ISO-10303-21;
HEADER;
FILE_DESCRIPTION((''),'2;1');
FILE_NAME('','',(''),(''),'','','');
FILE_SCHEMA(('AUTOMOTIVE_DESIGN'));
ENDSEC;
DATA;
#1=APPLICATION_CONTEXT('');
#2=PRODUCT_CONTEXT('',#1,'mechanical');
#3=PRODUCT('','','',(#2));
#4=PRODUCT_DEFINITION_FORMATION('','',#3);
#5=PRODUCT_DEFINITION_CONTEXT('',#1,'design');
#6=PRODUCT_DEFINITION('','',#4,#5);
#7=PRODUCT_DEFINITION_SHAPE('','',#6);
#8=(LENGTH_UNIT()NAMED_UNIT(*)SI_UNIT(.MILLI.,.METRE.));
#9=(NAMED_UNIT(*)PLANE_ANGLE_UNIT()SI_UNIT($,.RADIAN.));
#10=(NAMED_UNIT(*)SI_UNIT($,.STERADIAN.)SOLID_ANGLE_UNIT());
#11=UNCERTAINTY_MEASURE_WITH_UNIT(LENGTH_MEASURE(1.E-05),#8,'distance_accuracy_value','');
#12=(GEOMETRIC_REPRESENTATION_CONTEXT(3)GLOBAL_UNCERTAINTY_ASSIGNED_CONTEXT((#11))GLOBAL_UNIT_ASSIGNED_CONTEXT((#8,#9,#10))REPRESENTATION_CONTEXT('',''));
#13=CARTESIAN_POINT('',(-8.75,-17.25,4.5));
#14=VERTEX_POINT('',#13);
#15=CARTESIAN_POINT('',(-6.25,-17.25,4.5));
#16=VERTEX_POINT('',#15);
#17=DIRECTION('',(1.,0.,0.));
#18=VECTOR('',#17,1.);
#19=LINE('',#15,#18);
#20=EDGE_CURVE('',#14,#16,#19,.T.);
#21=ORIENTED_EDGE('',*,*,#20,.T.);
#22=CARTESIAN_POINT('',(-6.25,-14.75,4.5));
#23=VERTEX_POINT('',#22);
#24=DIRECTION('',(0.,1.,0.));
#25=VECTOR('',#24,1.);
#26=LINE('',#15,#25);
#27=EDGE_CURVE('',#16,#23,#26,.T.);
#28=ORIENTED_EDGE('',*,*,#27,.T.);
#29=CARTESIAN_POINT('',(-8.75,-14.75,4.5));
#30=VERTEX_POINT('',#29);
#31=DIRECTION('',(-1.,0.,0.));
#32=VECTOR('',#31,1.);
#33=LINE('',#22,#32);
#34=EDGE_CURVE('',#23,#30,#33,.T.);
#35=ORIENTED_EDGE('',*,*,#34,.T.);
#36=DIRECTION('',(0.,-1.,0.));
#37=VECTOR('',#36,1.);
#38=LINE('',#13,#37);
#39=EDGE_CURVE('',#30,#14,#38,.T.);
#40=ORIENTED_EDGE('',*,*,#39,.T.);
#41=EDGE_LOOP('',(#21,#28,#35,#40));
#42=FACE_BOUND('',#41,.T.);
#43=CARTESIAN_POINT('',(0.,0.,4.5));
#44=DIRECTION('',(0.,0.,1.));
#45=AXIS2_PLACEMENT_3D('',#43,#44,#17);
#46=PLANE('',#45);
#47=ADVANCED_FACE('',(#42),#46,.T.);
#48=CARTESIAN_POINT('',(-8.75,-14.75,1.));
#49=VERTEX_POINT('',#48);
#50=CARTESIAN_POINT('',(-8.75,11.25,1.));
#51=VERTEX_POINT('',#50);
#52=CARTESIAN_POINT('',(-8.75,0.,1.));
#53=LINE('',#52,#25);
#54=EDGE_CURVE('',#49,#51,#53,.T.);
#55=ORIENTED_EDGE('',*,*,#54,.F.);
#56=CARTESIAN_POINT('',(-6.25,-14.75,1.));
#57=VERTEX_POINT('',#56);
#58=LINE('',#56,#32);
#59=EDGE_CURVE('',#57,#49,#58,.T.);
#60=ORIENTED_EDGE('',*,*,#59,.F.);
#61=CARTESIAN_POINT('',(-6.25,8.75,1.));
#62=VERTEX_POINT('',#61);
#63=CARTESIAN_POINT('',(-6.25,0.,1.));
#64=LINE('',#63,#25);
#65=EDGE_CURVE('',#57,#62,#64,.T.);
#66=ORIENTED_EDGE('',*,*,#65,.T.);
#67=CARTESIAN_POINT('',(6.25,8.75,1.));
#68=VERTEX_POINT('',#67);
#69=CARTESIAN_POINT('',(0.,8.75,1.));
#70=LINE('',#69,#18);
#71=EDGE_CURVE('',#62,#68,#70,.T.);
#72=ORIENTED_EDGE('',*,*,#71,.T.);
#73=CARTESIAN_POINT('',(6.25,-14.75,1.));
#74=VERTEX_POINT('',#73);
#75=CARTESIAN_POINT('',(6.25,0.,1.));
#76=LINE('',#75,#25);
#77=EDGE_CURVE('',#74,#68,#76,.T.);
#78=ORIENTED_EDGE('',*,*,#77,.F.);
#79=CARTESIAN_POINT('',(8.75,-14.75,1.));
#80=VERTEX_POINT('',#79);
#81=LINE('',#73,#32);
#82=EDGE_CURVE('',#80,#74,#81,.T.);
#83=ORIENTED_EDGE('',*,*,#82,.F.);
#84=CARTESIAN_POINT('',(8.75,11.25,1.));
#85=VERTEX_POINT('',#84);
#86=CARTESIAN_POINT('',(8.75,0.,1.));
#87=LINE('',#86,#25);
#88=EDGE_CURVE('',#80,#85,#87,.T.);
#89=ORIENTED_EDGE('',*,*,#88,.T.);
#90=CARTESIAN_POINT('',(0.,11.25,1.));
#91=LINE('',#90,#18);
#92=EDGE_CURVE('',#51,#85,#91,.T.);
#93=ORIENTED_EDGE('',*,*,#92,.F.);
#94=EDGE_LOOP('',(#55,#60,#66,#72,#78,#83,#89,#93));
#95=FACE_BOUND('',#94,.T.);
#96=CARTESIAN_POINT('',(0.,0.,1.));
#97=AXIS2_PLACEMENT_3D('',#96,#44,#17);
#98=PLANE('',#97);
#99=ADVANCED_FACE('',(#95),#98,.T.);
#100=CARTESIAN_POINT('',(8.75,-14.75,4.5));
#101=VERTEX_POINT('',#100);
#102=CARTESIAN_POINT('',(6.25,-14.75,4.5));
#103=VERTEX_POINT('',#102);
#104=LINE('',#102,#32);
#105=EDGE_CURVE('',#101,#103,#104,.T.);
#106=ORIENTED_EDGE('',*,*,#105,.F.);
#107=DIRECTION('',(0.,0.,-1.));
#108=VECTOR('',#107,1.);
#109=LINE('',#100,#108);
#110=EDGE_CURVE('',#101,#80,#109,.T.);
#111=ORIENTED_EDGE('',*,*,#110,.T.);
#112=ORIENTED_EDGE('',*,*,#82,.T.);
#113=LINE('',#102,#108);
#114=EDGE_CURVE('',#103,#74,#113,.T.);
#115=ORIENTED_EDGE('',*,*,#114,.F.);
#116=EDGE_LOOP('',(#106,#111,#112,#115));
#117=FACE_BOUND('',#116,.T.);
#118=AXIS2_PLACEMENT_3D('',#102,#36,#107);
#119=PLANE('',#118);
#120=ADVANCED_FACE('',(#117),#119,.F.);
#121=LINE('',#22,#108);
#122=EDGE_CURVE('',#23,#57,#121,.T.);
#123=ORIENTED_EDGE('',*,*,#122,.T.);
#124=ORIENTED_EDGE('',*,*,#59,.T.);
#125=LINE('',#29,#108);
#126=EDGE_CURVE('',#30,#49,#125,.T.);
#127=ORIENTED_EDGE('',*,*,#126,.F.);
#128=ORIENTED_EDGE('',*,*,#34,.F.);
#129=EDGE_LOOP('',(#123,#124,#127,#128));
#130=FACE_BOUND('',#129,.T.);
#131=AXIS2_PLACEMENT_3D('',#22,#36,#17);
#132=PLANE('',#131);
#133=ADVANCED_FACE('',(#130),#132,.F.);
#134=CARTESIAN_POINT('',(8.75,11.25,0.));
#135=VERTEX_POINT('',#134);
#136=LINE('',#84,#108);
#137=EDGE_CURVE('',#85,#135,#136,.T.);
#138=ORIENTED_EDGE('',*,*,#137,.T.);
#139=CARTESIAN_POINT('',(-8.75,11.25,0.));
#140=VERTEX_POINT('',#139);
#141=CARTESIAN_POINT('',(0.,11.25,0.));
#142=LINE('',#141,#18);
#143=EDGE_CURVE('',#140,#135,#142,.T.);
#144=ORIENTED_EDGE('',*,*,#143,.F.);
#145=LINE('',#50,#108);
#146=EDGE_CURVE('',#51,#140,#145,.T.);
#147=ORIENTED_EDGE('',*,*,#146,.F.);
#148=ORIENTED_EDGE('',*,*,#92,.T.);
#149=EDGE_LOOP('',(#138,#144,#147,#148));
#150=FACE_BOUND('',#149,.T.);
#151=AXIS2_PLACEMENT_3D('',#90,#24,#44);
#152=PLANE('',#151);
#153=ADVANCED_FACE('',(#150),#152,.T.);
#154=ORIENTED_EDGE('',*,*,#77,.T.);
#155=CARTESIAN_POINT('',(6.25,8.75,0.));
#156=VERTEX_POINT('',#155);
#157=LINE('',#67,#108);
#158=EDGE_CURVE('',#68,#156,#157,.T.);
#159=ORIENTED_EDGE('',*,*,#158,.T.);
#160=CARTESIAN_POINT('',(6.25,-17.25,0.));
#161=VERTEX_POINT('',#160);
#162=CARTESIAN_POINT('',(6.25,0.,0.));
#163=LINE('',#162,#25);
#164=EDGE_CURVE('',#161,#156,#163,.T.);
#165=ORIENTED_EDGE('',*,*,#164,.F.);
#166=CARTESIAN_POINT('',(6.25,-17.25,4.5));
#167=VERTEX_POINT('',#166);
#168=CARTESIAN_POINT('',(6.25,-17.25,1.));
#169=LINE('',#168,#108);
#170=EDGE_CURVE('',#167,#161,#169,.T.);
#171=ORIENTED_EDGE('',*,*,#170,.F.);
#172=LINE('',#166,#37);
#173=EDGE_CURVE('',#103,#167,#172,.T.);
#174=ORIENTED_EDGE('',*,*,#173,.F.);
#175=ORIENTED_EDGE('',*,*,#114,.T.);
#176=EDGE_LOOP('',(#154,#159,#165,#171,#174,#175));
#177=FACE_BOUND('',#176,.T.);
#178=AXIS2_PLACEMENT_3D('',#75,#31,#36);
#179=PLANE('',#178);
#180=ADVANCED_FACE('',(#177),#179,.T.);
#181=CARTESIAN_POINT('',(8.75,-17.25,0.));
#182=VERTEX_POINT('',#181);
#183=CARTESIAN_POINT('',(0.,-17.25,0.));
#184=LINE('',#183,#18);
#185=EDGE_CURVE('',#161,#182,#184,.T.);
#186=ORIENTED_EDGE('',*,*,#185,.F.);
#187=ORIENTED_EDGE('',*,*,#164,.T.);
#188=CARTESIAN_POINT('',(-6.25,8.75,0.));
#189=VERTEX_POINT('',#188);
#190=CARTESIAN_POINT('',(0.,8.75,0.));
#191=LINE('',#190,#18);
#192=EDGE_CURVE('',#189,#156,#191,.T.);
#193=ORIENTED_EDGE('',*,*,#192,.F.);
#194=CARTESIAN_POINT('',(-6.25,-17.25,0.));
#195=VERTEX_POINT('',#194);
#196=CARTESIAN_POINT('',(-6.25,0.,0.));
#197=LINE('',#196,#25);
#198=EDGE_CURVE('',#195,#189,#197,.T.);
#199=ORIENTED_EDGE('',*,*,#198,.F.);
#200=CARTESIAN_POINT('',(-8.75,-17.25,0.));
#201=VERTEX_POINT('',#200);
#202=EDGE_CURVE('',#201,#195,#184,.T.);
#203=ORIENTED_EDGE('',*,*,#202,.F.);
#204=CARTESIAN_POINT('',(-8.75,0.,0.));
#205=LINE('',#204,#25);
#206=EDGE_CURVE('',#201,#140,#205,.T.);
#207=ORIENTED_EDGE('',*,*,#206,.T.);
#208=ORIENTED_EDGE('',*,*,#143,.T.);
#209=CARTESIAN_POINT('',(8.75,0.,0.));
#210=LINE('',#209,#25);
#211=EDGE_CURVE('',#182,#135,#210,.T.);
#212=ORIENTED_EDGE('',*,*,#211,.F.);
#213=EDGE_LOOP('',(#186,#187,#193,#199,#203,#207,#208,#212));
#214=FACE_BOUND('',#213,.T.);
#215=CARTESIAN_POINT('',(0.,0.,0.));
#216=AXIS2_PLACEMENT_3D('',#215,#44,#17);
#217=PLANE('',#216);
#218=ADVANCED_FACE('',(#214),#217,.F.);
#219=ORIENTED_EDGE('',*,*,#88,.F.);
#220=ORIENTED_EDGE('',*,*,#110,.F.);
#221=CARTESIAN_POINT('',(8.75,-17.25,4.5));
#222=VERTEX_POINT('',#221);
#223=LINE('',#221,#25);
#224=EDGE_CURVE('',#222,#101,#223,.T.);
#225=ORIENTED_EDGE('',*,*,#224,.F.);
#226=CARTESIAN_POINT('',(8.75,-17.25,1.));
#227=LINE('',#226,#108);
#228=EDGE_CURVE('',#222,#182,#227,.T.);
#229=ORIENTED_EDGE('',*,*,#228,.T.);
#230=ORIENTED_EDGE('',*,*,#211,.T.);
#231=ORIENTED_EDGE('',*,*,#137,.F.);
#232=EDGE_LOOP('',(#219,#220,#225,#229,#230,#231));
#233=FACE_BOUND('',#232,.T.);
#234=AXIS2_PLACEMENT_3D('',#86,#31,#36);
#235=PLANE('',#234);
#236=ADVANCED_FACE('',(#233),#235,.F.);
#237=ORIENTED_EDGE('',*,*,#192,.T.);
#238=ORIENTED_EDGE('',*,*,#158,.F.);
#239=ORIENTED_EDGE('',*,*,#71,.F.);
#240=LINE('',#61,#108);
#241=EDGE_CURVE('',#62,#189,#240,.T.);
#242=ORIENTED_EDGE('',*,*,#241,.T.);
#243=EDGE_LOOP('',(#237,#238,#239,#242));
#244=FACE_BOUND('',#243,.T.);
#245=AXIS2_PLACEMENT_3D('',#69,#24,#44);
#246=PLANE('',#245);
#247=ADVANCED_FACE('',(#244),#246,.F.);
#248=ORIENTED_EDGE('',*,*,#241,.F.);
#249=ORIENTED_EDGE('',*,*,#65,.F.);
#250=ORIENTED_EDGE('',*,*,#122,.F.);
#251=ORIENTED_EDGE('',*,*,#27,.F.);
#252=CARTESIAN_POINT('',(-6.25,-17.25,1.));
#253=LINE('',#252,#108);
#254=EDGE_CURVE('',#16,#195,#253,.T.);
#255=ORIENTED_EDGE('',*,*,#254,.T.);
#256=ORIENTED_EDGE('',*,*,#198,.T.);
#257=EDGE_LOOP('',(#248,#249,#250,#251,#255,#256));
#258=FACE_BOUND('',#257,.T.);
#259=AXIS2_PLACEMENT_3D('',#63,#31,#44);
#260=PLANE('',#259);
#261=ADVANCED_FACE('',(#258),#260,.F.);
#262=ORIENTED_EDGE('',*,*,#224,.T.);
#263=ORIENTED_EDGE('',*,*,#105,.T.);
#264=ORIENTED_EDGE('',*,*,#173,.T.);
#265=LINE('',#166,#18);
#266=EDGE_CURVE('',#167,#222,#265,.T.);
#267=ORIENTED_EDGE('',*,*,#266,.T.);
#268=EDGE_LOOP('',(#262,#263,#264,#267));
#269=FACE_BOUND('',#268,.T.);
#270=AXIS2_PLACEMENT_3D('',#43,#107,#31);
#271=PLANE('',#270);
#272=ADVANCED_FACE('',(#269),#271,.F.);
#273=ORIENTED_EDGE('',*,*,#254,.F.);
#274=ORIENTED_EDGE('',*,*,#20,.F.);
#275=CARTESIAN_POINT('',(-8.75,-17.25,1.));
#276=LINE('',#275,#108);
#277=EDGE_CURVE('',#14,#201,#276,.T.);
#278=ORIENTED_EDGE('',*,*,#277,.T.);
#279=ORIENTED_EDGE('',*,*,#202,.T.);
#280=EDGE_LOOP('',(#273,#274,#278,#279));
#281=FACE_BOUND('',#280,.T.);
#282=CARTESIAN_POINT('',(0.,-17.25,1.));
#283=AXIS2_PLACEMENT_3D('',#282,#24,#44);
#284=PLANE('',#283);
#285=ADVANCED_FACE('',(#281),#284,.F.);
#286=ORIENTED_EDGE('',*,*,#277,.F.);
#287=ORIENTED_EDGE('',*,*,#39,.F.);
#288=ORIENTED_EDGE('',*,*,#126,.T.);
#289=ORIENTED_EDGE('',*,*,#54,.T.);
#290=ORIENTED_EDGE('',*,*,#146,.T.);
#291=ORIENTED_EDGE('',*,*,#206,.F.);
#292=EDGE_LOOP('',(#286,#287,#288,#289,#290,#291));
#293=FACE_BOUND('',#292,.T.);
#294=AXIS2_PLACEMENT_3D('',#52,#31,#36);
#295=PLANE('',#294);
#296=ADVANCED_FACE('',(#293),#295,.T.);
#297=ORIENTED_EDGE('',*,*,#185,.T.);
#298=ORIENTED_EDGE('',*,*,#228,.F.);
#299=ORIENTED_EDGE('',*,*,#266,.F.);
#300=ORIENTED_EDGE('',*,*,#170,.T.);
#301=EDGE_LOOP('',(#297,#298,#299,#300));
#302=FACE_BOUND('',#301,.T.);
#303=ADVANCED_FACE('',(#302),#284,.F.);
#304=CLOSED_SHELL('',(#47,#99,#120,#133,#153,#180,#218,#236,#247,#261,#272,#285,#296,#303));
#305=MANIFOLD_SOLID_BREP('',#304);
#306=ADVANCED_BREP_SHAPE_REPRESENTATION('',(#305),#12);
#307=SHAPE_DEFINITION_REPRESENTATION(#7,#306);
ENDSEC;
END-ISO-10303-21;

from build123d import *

# Parameters (mm, degrees)
SKETCH1_W           = 2.5
SKETCH1_H           = 26
BOSS_EXTRUDE1_DEPTH = 1
SKETCH2_W           = 2.5
SKETCH2_H           = 2.5
BOSS_EXTRUDE2_DEPTH = 3.5


with BuildPart() as part:
    # Sketch1 → Boss-Extrude1 (new body)
    with BuildSketch(Plane.XY):
        with Locations((-7.5, -4.25)):
            Rectangle(SKETCH1_W, SKETCH1_H)
        Polygon((-8.75, 11.25), (-8.75, 8.75), (-6.25, 8.75), (6.25, 8.75), (8.75, 8.75), (8.75, 11.25), align=None)
        with Locations((7.5, -4.25)):
            Rectangle(SKETCH1_W, SKETCH1_H)
    extrude(amount=BOSS_EXTRUDE1_DEPTH)

    # Sketch2 → Boss-Extrude2 (add)
    with BuildSketch(Plane.XY.offset(1)):
        with Locations((-7.5, -16)):
            Rectangle(SKETCH2_W, SKETCH2_H)
        with Locations((7.5, -16)):
            Rectangle(SKETCH2_W, SKETCH2_H)
    extrude(amount=BOSS_EXTRUDE2_DEPTH)


solid = part.part
